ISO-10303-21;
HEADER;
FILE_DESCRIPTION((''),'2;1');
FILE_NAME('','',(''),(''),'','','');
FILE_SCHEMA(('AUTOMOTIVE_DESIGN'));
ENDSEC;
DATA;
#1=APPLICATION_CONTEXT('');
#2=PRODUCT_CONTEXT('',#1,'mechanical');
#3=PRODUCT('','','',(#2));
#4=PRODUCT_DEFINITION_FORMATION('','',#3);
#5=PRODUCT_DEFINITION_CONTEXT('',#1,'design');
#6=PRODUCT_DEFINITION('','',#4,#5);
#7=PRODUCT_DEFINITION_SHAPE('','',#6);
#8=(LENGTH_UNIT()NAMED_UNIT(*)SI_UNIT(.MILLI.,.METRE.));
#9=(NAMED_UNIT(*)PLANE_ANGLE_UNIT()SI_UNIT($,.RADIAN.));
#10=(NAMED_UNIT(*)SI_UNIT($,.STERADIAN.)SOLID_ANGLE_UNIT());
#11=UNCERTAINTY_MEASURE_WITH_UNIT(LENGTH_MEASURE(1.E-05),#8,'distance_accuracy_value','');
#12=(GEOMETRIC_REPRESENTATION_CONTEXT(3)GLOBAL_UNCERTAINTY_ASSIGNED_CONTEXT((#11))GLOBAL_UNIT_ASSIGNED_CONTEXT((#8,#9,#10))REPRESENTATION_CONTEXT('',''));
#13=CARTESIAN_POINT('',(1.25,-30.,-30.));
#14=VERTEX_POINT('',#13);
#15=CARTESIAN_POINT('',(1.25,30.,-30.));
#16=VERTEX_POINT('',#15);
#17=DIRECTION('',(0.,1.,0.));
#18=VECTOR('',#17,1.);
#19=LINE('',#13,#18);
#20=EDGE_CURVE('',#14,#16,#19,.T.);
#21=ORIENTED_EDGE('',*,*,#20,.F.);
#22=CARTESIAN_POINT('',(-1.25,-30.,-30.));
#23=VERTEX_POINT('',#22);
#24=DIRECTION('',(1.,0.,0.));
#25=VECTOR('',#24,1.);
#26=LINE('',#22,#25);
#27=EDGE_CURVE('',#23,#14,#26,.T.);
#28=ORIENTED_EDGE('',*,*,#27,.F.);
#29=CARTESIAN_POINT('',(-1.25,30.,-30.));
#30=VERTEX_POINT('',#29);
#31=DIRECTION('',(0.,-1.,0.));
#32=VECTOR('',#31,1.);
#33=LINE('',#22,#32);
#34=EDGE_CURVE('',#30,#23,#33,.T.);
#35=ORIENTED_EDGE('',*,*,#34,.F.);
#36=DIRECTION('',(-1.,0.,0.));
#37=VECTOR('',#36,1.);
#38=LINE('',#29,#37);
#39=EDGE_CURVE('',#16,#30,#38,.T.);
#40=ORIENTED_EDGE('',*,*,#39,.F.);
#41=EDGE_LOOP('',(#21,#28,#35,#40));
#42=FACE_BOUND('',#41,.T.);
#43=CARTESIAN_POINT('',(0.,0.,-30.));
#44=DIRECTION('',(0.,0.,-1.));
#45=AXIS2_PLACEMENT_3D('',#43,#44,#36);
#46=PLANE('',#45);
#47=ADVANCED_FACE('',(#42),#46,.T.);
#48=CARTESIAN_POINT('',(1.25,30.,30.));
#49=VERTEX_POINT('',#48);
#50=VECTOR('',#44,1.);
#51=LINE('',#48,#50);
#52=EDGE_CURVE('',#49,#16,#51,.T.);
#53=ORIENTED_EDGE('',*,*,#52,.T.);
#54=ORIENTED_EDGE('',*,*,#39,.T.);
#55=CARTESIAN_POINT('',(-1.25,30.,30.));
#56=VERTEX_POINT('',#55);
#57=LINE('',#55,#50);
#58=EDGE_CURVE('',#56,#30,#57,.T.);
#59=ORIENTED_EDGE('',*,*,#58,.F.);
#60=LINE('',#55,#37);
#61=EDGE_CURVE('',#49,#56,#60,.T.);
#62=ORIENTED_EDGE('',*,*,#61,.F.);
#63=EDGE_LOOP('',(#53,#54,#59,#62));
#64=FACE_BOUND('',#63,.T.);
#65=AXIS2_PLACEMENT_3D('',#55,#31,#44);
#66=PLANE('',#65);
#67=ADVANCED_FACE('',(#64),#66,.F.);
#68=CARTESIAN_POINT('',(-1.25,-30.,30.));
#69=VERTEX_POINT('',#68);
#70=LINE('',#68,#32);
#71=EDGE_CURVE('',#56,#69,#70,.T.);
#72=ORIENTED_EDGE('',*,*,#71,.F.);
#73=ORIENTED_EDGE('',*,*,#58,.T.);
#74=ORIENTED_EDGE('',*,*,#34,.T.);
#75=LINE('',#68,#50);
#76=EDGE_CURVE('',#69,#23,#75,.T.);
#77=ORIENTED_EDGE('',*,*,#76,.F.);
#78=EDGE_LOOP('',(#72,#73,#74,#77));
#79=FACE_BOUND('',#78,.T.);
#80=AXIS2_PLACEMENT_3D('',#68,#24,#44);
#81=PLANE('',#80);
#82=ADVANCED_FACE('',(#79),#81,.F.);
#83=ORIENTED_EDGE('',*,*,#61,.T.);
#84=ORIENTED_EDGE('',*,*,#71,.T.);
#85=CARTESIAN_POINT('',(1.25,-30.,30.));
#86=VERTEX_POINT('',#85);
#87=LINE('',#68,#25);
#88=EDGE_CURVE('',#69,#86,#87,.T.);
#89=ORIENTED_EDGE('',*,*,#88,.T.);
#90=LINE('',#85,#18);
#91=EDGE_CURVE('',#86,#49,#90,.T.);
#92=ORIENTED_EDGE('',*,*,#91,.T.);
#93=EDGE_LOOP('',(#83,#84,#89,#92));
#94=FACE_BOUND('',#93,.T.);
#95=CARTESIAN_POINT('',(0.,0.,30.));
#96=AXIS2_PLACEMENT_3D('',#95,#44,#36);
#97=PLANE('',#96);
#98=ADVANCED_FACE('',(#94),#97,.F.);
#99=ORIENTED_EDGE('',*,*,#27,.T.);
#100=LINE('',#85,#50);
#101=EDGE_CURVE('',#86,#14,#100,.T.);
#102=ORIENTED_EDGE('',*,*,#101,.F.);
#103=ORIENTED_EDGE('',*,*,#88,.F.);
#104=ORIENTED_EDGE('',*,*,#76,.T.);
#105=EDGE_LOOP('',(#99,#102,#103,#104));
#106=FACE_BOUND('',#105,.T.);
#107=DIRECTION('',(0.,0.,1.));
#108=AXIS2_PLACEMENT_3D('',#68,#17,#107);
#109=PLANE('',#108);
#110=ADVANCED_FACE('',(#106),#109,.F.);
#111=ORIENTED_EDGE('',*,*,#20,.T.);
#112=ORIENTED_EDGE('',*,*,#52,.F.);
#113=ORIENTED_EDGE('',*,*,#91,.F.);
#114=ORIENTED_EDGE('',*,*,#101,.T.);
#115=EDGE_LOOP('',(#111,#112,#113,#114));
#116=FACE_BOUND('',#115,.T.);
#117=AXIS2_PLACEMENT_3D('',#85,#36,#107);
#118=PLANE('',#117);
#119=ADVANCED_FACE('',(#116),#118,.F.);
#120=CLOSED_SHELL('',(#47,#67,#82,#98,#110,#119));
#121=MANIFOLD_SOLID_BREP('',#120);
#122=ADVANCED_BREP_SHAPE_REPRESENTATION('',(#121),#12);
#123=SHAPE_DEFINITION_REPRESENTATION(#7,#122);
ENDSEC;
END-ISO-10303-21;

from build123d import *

# Parameters (mm, degrees)
SKETCH_8_W      = 2.5
SKETCH_8_H      = 60
EXTRUDE_4_DEPTH = 30


with BuildPart() as part:
    # 草图8 → 凸台-拉伸4 (new, symmetric)
    with BuildSketch(Plane.XY):
        Rectangle(SKETCH_8_W, SKETCH_8_H)
    extrude(amount=EXTRUDE_4_DEPTH, both=True)


solid = part.part
